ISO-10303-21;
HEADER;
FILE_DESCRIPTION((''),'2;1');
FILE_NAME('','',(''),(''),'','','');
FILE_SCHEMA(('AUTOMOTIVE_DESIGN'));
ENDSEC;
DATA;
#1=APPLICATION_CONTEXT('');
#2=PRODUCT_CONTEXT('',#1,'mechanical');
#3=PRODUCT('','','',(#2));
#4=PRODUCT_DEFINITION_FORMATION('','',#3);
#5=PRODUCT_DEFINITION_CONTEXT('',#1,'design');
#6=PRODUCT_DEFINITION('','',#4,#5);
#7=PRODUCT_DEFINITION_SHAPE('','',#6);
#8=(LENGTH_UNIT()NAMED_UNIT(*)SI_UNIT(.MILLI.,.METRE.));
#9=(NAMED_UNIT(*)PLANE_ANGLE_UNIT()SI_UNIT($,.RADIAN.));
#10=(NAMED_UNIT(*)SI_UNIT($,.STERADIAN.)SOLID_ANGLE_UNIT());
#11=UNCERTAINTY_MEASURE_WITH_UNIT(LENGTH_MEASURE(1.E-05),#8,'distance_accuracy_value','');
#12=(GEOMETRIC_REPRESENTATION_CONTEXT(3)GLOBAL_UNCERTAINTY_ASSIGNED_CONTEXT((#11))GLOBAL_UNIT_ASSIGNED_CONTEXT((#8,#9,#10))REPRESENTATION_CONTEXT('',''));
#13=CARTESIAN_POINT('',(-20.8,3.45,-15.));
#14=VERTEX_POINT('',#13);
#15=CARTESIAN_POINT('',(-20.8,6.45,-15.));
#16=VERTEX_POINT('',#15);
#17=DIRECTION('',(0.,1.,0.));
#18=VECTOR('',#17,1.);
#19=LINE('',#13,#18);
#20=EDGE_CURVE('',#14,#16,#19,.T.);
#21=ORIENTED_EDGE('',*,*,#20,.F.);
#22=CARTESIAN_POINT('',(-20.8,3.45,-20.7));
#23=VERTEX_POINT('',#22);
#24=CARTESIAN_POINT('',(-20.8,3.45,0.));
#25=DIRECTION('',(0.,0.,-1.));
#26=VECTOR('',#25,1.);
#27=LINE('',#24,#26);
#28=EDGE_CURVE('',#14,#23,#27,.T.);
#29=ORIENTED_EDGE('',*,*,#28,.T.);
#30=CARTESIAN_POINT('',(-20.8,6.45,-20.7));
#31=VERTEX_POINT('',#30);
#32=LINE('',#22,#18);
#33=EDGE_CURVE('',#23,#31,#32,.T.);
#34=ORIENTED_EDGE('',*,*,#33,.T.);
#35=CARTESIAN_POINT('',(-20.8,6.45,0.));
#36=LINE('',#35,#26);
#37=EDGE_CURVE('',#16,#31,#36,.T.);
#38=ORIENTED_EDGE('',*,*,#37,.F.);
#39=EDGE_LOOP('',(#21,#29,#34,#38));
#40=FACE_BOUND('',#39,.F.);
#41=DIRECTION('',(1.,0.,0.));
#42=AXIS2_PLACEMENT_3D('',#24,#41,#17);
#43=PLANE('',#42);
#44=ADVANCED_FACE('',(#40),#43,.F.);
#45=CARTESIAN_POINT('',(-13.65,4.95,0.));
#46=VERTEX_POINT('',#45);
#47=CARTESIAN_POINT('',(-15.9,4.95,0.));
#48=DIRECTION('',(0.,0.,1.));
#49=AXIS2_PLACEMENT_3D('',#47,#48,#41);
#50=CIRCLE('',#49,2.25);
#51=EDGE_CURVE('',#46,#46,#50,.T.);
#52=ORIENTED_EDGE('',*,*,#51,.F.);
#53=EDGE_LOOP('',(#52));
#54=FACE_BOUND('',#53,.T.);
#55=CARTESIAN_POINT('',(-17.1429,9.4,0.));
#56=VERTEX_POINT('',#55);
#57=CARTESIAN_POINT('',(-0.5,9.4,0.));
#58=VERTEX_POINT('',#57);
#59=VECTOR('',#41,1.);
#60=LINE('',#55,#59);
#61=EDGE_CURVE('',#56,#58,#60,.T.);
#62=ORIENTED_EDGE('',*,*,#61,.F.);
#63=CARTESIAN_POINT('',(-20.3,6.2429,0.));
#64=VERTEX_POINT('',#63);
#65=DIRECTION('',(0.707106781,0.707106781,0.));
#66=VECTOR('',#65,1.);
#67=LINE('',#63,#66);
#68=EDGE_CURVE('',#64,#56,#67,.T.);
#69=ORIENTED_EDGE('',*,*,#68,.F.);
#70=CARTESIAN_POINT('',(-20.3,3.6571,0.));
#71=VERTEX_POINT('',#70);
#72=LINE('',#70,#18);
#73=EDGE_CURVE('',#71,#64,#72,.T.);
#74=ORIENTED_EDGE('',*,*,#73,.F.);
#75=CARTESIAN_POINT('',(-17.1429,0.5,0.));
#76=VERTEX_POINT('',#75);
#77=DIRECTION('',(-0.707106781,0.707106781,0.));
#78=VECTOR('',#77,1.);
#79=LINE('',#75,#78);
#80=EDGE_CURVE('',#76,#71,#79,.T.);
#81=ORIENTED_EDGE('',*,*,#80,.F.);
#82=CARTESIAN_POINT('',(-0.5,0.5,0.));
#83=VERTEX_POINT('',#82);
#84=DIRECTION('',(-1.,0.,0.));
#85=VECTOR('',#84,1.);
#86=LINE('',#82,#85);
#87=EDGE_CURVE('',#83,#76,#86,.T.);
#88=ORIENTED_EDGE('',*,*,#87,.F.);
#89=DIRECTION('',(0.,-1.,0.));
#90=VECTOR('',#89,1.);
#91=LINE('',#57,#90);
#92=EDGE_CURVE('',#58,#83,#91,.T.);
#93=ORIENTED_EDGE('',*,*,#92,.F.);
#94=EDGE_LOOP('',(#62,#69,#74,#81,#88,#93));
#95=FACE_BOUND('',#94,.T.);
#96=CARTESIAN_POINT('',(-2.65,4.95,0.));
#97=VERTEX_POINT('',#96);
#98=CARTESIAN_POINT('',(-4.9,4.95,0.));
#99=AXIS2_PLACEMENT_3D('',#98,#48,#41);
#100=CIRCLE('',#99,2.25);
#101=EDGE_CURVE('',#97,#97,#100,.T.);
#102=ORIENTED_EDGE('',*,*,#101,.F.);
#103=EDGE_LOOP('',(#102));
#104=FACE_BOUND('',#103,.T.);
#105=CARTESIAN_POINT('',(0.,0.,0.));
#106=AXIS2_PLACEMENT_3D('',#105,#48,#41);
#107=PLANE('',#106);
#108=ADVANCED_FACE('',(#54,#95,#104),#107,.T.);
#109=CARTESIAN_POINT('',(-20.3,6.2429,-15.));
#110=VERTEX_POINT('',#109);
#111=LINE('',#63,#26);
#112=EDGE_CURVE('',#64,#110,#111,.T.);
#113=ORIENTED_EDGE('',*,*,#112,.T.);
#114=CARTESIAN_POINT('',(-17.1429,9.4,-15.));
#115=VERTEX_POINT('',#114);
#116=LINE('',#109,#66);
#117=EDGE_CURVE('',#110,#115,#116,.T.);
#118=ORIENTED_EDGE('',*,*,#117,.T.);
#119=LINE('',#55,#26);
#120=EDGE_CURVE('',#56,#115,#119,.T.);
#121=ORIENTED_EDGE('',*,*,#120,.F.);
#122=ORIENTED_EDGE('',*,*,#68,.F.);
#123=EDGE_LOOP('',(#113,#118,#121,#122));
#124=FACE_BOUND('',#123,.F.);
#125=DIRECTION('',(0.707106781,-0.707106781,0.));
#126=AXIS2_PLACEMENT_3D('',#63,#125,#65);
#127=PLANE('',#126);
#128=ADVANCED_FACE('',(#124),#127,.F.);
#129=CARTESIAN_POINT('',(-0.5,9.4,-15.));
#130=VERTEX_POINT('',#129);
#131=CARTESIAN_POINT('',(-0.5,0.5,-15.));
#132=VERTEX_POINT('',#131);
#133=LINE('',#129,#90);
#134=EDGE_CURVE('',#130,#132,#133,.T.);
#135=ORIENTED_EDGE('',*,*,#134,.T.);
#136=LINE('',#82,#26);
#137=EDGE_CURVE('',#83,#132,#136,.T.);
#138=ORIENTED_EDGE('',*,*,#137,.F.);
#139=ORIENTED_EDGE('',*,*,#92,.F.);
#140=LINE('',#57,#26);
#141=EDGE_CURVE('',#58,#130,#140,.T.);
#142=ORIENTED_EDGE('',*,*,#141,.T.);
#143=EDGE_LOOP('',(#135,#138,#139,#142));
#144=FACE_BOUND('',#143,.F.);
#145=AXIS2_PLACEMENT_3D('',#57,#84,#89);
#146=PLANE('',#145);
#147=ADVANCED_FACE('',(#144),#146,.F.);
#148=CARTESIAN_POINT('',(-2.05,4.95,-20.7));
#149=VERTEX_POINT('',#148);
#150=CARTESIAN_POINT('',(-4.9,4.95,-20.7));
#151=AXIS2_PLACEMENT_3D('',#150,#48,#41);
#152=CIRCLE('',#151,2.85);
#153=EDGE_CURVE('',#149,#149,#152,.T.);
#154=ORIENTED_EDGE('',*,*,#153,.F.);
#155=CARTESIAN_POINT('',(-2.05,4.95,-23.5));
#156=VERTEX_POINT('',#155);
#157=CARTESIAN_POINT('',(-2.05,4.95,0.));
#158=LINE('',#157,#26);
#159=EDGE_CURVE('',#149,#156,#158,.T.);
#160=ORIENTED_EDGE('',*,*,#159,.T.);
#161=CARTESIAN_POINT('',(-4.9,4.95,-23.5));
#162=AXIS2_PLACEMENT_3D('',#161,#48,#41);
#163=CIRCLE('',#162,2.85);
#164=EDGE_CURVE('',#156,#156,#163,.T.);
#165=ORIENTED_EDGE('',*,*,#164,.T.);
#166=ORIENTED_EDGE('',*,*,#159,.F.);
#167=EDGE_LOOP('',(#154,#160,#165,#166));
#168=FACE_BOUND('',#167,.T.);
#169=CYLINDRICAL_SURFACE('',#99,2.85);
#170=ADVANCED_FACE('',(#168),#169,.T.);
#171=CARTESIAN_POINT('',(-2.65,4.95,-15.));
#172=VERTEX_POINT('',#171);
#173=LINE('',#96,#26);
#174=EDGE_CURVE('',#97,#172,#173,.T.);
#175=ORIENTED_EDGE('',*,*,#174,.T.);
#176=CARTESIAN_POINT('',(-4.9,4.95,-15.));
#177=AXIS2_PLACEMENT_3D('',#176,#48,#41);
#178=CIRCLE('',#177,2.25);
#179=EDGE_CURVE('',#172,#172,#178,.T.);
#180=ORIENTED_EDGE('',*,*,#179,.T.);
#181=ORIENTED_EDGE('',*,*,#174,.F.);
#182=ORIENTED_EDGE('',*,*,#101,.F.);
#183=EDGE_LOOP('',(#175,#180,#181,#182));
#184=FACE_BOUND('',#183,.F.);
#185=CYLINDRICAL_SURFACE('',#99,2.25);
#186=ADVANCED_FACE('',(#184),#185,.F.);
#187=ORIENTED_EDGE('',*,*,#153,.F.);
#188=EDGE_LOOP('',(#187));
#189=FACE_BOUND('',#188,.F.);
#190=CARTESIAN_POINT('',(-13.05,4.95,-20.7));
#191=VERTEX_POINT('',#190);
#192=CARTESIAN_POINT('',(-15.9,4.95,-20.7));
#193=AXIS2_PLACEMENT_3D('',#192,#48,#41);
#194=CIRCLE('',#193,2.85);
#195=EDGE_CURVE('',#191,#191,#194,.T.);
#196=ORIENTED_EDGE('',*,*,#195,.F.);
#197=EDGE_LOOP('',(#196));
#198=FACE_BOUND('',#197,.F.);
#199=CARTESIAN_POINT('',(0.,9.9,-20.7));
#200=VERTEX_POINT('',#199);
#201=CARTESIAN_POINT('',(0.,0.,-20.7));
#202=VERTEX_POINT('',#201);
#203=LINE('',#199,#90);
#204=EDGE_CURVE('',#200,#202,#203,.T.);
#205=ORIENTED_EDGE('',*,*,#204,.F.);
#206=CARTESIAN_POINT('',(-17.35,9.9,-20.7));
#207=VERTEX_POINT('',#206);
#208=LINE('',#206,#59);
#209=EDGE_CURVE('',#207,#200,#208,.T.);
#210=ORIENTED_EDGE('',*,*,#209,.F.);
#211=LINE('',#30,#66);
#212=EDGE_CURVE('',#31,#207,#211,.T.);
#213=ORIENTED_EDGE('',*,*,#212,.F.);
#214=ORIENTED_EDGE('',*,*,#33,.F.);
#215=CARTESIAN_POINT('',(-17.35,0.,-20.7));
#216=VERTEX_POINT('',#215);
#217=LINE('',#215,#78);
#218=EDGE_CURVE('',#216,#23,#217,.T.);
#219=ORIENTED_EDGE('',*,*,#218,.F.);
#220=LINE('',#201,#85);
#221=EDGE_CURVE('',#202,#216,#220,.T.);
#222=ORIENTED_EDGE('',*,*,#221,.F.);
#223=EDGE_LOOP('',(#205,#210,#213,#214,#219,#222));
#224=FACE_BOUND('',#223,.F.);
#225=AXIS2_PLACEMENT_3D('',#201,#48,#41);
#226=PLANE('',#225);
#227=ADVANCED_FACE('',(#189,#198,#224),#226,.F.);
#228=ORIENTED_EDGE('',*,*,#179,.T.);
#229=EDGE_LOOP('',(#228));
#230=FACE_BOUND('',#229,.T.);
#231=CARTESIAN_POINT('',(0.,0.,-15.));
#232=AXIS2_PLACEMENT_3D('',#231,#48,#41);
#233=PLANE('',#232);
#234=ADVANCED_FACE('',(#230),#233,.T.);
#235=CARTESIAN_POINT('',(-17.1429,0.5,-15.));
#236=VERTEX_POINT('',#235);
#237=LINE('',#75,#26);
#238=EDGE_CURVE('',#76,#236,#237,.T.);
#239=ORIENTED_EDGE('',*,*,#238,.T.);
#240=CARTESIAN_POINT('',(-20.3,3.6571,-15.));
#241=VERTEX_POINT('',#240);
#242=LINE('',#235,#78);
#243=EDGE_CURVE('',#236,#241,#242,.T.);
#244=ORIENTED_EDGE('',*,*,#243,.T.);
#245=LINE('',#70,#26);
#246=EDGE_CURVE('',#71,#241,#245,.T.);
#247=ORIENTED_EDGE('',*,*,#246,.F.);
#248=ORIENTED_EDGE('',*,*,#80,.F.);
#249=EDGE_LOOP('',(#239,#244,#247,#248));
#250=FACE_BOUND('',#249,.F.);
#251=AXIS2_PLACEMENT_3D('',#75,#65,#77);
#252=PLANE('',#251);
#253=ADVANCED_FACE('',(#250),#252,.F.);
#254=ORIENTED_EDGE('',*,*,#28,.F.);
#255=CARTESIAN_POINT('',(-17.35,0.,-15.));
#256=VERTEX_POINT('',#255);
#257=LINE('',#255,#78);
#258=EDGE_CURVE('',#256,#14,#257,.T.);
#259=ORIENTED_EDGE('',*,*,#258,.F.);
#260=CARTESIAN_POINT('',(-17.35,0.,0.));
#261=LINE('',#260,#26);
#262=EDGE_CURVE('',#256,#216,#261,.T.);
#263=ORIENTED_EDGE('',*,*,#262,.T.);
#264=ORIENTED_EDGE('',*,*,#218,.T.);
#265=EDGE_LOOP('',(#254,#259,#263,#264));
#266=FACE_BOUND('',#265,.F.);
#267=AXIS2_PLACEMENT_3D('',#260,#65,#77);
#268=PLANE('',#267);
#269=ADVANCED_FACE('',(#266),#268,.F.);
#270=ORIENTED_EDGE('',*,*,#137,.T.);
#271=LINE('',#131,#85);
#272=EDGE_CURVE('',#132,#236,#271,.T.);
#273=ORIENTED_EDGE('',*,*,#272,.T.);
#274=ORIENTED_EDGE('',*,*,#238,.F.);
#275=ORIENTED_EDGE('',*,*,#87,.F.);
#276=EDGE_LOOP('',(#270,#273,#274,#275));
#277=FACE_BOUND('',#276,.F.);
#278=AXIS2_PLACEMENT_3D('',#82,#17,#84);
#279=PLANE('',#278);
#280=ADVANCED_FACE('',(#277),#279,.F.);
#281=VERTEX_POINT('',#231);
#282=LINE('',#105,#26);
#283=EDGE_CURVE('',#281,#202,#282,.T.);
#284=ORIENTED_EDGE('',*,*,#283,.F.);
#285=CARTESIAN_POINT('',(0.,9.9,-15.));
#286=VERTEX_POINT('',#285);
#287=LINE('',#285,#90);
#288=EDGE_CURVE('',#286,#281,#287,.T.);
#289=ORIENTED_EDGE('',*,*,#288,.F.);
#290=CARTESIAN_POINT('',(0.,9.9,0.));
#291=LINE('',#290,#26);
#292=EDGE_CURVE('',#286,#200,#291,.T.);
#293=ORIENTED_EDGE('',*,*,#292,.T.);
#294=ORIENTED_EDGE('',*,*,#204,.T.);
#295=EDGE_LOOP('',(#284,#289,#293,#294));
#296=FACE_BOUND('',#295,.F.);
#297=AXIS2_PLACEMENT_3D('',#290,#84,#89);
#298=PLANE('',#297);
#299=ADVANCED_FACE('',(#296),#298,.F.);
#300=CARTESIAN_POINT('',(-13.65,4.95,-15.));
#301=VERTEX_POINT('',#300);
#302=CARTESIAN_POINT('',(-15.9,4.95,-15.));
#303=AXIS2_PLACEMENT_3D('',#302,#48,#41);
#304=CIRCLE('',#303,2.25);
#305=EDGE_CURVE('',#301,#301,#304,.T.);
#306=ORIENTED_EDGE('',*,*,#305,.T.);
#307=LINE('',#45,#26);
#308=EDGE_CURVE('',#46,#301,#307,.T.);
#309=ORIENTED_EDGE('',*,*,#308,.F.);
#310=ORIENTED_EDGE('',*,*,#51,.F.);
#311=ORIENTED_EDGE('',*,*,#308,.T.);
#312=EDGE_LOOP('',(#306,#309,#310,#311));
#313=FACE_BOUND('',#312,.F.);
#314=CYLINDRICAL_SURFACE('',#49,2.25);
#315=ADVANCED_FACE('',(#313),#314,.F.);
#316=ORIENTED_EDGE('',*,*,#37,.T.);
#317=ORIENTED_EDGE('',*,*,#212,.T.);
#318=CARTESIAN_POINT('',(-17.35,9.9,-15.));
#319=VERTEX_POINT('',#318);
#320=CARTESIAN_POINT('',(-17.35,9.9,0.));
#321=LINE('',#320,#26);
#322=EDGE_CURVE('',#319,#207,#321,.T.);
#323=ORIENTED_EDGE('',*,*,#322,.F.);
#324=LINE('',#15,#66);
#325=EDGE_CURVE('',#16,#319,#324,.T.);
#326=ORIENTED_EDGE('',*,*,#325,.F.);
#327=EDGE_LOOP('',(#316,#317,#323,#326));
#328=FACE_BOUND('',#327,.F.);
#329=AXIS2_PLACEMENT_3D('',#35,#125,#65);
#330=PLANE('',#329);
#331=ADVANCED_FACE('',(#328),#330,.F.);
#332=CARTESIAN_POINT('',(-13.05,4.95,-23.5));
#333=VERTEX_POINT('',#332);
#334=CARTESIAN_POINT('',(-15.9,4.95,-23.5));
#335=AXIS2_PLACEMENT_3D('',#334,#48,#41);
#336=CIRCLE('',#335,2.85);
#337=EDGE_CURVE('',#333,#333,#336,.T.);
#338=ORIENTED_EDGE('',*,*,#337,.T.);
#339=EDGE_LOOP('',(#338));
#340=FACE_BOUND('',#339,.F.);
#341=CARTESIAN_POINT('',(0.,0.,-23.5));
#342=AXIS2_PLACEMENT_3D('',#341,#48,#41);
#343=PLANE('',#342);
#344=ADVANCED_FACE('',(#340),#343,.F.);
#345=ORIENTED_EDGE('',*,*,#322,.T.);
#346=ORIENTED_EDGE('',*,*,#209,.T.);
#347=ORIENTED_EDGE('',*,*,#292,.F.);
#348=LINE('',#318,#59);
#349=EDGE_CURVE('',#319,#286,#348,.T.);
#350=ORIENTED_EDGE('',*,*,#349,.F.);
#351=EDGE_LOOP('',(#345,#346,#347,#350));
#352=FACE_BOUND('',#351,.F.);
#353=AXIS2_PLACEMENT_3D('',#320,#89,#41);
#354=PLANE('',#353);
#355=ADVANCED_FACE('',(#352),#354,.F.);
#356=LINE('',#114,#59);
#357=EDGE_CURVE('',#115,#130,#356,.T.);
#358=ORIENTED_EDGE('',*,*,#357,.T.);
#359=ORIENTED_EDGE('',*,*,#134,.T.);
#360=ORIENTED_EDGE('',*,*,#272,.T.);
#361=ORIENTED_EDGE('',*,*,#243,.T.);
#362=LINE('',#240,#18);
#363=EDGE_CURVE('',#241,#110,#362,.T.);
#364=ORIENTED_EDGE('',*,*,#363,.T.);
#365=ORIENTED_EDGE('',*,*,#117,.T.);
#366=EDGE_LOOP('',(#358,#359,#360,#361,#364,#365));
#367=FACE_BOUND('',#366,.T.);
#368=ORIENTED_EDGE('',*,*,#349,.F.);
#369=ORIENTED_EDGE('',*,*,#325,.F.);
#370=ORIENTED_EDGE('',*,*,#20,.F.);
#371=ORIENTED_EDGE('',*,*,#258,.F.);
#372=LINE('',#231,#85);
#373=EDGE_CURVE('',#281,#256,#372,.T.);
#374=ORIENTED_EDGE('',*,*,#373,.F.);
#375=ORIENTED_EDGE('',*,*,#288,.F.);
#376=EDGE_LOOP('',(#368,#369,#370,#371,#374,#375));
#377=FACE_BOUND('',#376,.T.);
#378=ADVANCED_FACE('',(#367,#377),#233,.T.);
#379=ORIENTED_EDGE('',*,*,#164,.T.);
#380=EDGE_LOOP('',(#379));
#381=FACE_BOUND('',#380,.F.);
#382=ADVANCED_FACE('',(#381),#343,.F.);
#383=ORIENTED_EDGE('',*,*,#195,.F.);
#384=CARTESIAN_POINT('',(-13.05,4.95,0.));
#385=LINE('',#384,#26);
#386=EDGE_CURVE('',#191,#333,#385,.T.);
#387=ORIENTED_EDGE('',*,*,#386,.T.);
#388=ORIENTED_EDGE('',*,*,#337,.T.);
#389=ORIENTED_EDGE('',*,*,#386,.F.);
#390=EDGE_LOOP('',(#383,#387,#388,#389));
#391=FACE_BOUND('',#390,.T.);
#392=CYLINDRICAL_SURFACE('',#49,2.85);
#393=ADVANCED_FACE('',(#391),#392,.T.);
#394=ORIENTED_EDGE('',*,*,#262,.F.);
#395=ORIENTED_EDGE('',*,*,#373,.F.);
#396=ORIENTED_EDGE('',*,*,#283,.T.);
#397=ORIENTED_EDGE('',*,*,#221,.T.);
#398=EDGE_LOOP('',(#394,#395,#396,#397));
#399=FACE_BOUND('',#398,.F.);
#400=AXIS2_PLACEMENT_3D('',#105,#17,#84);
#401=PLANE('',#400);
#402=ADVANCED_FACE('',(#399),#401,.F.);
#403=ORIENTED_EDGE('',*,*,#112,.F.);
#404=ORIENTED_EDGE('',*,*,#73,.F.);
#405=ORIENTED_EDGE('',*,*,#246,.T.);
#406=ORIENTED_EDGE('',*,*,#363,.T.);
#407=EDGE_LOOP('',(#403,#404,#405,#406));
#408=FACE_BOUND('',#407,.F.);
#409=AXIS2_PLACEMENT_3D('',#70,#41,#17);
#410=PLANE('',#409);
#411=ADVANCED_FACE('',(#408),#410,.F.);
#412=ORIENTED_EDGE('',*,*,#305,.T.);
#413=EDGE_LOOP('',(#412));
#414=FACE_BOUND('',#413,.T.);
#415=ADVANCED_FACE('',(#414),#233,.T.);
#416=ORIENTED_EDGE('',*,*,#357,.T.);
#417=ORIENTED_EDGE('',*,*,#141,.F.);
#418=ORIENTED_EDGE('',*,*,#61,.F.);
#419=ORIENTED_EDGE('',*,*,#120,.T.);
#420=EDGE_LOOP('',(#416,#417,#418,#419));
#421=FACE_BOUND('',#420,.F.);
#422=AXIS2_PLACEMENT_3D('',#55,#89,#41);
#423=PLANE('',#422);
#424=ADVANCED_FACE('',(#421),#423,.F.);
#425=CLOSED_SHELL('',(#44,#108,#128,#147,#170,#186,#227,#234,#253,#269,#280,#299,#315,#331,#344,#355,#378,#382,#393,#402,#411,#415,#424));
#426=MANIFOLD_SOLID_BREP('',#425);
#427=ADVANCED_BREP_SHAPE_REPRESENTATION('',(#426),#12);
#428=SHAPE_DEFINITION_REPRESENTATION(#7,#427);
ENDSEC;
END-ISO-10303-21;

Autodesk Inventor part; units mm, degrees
ref_plane "YZ Plane" through (0, 0, 0) normal (1, 0, 0) x (0, 1, 0)
ref_plane "XZ Plane" through (0, 0, 0) normal (0, 1, 0) x (-1, 0, 0)
ref_plane "XY Plane" through (0, 0, 0) normal (0, 0, 1) x (1, 0, 0)
sketch "Skizze1" plane through (0, 0, 0) normal (0, 0, 1) x (1, 0, 0)
  line L0 (0, 9.9) -> (0, 0)
  line L1 (0, 0) -> (-17.35, 0)
  line L2 (-17.35, 0) -> (-20.8, 3.45)
  line L3 (-20.8, 3.45) -> (-20.8, 6.45)
  line L4 (-20.8, 6.45) -> (-17.35, 9.9)
  line L5 (-17.35, 9.9) -> (0, 9.9)
  circle A0 centre (-15.9, 4.95) radius 2.85
  circle A1 centre (-4.9, 4.95) radius 2.85
  line L6 (-0.5, 9.4) -> (-0.5, 0.5)
  line L7 (-0.5, 0.5) -> (-17.1429, 0.5)
  line L8 (-17.1429, 0.5) -> (-20.3, 3.6571)
  line L9 (-20.3, 3.6571) -> (-20.3, 6.2429)
  line L10 (-20.3, 6.2429) -> (-17.1429, 9.4)
  line L11 (-17.1429, 9.4) -> (-0.5, 9.4)
  circle A2 centre (-15.9, 4.95) radius 2.25
  circle A3 centre (-4.9, 4.95) radius 2.25
  point P0 (0, 4.95)
  dimension "d2" = 20.8
  dimension "d4" = 45
  dimension "d5" = 9.9
  dimension "d6" = 3
  dimension "d8" = 5.7
  dimension "d9" = 11
  dimension "d11" = 4.9
  dimension "d12" = 0.5
  dimension "d13" = 4.5
extrude "Extrusion1" add sketch "Skizze1" against normal blind 20.7 contours L0 L1 L2 L3 L4 L5 | A0 | A1 | L6 L7 L8 L9 L10 L11 | A2 | A3
extrude "Extrusion2" add sketch "Skizze1" against normal blind 23.5 contours A0 | A1 | A2 | A3
extrude "Extrusion3" cut sketch "Skizze1" against normal blind 15 contours L0 L1 L2 L3 L4 L5 | A2 | A3
equation "\"d11\" = -0.5 * d9 + 0.5 * d2"
properties part number "XT90NE-M" material "PC/ABS-Kunststoff"
